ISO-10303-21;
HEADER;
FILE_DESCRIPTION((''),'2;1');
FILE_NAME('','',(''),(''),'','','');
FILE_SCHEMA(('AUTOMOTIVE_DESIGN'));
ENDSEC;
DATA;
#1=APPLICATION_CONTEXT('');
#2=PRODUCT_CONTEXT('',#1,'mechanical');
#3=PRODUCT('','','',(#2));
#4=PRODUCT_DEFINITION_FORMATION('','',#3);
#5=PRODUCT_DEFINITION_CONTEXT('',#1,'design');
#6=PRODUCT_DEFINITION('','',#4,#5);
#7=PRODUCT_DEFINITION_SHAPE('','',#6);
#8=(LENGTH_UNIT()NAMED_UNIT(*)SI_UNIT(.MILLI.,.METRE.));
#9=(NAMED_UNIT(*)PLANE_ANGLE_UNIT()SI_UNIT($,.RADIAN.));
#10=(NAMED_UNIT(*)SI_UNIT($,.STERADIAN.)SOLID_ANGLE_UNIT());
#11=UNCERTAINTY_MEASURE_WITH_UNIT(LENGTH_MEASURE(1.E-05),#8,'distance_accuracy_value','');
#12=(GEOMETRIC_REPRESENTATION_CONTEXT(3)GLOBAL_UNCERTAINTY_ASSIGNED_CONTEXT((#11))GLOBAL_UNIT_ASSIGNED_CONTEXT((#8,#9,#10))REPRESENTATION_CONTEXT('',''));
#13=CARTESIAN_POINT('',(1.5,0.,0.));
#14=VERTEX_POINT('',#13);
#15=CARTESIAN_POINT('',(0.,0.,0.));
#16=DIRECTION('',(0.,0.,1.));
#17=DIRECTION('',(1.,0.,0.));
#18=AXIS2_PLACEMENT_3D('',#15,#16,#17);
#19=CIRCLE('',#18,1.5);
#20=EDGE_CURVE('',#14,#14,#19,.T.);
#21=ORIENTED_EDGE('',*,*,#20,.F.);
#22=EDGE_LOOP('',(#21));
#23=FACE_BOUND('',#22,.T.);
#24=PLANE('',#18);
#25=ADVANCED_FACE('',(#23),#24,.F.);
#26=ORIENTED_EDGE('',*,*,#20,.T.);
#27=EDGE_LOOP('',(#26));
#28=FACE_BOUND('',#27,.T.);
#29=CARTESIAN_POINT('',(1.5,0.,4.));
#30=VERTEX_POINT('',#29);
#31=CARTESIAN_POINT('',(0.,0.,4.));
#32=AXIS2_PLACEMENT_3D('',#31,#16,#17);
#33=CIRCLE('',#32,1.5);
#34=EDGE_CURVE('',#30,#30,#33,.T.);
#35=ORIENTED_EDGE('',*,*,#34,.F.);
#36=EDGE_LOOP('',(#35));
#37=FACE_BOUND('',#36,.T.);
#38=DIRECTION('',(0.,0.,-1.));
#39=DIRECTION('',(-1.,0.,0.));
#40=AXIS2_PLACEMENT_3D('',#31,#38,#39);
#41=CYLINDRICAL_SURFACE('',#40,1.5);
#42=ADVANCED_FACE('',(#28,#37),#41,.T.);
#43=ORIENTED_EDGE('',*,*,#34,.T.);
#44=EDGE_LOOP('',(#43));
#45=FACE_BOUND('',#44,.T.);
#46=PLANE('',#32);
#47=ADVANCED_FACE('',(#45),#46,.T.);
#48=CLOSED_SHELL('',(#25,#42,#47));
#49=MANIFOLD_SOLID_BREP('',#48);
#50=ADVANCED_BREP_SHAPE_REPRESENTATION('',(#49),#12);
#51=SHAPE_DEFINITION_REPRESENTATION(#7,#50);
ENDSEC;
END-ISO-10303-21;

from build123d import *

# Parameters (mm, degrees)
SKETCH1_R           = 1.5
BOSS_EXTRUDE1_DEPTH = 4


with BuildPart() as part:
    # Sketch1 → Boss-Extrude1 (new body)
    with BuildSketch(Plane.XY):
        Circle(SKETCH1_R)
    extrude(amount=BOSS_EXTRUDE1_DEPTH)


solid = part.part
